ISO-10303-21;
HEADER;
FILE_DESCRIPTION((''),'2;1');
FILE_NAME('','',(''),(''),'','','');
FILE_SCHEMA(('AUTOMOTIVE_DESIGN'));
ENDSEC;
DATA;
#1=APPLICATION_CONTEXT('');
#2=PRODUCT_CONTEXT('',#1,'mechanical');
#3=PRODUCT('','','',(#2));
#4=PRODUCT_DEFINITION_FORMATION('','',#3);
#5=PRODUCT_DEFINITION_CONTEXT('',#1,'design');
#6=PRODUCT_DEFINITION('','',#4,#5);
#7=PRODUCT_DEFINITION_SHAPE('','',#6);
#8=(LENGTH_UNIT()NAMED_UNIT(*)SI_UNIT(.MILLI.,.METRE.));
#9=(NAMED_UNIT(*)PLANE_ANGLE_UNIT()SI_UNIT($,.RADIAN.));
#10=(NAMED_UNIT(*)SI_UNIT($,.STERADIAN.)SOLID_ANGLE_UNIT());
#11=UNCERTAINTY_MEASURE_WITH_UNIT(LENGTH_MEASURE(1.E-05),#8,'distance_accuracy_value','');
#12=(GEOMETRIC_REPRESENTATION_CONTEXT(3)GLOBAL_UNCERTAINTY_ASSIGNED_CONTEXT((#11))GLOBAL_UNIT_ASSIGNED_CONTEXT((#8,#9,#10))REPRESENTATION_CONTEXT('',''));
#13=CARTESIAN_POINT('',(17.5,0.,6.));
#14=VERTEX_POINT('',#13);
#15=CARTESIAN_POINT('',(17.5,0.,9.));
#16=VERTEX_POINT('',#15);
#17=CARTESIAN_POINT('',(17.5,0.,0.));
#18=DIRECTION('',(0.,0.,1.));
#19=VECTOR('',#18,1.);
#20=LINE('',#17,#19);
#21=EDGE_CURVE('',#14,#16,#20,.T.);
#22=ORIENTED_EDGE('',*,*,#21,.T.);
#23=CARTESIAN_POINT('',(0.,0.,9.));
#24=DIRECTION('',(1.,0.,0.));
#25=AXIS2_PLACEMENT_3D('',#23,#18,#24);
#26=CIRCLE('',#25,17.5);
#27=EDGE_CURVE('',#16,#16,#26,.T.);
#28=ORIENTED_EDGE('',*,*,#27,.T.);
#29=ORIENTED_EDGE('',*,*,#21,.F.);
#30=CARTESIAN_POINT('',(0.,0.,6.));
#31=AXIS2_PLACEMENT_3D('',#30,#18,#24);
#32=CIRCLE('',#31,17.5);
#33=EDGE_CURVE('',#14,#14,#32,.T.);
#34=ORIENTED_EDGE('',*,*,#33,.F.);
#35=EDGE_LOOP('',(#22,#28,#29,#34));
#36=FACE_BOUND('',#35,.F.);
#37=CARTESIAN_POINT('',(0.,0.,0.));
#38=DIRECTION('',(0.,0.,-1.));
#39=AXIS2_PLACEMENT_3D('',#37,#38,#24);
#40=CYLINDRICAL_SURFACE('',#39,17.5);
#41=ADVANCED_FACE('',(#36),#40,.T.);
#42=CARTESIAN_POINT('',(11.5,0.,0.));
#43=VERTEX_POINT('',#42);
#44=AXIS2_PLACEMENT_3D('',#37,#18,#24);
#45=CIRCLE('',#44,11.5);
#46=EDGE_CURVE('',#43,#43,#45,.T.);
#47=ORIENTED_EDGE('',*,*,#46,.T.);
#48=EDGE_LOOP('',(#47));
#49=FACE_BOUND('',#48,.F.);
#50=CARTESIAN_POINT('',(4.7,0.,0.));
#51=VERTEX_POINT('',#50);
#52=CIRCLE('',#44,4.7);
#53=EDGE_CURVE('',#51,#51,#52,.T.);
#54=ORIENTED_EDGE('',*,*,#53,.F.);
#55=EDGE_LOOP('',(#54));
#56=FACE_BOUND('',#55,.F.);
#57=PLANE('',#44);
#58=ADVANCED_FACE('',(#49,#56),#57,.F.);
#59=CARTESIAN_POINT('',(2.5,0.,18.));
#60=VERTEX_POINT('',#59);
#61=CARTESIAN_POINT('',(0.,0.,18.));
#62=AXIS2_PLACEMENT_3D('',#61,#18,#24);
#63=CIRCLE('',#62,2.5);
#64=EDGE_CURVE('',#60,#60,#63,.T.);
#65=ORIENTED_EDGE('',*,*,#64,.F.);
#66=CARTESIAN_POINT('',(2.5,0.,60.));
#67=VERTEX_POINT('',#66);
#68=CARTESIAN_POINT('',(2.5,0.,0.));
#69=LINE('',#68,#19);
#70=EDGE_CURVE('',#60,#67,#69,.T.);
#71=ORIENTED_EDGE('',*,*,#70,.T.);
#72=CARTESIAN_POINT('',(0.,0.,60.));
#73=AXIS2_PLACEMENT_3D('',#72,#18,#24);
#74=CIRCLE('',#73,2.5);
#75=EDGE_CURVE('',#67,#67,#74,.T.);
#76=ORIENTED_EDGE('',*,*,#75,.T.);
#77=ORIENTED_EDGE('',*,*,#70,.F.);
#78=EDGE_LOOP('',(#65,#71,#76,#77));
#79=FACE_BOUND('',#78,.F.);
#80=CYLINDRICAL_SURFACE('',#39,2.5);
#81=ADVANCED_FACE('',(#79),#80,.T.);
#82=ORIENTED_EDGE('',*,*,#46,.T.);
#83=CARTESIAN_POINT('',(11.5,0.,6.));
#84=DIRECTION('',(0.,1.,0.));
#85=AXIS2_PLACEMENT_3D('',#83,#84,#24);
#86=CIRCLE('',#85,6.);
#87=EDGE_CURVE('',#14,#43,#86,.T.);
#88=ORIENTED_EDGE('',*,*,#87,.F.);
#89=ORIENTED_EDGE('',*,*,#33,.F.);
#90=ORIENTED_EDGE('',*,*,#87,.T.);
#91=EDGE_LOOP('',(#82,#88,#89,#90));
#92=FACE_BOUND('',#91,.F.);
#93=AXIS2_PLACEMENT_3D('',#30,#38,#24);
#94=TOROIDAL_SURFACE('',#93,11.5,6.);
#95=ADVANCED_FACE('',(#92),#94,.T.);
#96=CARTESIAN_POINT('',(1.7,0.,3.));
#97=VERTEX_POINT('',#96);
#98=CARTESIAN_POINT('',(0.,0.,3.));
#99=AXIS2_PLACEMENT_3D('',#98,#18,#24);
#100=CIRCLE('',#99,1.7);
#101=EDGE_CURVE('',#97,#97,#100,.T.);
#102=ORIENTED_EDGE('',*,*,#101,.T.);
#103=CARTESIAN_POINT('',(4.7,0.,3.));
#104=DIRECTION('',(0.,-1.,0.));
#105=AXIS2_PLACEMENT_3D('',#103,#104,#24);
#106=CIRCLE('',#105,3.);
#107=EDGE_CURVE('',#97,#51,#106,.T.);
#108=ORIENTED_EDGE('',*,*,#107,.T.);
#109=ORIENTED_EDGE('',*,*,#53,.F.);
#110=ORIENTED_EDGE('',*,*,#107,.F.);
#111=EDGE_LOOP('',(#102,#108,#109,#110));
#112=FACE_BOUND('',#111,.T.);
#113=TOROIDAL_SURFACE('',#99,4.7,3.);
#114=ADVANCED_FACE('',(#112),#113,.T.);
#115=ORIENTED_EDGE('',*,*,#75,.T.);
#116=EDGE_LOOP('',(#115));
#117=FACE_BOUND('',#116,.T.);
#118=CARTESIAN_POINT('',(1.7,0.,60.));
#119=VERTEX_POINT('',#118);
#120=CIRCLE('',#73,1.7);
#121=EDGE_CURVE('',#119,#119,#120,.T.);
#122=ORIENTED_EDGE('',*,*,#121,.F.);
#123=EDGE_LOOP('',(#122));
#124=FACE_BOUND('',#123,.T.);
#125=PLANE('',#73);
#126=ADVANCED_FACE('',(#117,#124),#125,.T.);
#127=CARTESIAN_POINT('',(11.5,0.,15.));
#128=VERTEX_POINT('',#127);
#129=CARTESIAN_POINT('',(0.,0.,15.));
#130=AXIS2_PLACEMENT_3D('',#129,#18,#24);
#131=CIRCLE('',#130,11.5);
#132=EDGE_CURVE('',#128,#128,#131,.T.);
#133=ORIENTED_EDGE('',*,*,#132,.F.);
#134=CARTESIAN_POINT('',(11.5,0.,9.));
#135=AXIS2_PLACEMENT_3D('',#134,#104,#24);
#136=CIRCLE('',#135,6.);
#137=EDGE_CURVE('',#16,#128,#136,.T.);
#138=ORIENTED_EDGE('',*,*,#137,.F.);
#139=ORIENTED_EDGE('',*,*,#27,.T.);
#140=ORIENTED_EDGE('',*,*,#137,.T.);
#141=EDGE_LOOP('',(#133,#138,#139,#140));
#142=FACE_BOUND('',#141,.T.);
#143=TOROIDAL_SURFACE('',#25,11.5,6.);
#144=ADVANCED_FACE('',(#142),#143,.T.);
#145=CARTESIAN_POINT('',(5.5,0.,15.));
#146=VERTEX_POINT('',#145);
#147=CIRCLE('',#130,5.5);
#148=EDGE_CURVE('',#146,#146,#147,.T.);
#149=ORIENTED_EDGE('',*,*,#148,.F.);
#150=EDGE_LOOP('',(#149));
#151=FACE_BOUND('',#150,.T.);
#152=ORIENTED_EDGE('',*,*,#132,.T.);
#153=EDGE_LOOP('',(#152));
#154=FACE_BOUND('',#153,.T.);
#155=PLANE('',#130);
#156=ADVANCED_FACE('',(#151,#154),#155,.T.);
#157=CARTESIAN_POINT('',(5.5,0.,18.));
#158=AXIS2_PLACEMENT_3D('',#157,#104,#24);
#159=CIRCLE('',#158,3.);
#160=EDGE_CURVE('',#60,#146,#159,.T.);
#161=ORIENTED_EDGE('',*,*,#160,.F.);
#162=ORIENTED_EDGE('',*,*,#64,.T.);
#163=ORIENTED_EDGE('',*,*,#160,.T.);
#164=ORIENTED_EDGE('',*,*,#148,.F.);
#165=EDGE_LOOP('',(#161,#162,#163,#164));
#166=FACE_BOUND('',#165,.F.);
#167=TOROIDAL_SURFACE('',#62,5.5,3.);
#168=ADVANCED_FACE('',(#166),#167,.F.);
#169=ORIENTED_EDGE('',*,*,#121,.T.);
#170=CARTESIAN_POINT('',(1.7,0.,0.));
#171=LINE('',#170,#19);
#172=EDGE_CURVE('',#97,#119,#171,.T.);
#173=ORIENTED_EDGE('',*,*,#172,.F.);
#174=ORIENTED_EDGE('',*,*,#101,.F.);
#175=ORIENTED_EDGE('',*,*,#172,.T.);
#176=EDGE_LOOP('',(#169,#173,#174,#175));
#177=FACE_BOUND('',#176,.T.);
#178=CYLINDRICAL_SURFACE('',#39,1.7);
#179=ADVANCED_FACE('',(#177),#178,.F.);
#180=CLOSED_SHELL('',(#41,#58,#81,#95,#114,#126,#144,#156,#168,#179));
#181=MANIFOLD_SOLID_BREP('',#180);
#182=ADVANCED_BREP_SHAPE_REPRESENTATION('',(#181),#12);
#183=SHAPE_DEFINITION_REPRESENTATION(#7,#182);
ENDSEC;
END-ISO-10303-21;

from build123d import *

# Parameters (mm, degrees)
F0_R     = 17.5
F0_R_2   = 2.5
F1_DEPTH = 15
F2_R     = 6
F0_R_3   = 1.7
F3_DEPTH = 60
F4_R     = 3


with BuildPart() as f1:
    # F0 (on Top) → F1 (new body)
    with BuildSketch(Plane.XY):
        Circle(F0_R)
        Circle(F0_R_2, mode=Mode.SUBTRACT)
    extrude(amount=F1_DEPTH)

    # F2
    f2_edges = [f1.edges().sort_by_distance(p)[0] for p in [
        (-17.5, 0, 15),
        (-17.5, 0, 0),
    ]]
    fillet(f2_edges, radius=F2_R)

    # F0 (on Top) → F3 (join)
    with BuildSketch(Plane.XY):
        Circle(F0_R_2)
        Circle(F0_R_3, mode=Mode.SUBTRACT)
    extrude(amount=F3_DEPTH)

    # F4
    f4_edges = [f1.edges().sort_by_distance(p)[0] for p in [
        (-1.7, 0, 0),
        (-2.5, 0, 15),
    ]]
    fillet(f4_edges, radius=F4_R)


solid = f1.part
